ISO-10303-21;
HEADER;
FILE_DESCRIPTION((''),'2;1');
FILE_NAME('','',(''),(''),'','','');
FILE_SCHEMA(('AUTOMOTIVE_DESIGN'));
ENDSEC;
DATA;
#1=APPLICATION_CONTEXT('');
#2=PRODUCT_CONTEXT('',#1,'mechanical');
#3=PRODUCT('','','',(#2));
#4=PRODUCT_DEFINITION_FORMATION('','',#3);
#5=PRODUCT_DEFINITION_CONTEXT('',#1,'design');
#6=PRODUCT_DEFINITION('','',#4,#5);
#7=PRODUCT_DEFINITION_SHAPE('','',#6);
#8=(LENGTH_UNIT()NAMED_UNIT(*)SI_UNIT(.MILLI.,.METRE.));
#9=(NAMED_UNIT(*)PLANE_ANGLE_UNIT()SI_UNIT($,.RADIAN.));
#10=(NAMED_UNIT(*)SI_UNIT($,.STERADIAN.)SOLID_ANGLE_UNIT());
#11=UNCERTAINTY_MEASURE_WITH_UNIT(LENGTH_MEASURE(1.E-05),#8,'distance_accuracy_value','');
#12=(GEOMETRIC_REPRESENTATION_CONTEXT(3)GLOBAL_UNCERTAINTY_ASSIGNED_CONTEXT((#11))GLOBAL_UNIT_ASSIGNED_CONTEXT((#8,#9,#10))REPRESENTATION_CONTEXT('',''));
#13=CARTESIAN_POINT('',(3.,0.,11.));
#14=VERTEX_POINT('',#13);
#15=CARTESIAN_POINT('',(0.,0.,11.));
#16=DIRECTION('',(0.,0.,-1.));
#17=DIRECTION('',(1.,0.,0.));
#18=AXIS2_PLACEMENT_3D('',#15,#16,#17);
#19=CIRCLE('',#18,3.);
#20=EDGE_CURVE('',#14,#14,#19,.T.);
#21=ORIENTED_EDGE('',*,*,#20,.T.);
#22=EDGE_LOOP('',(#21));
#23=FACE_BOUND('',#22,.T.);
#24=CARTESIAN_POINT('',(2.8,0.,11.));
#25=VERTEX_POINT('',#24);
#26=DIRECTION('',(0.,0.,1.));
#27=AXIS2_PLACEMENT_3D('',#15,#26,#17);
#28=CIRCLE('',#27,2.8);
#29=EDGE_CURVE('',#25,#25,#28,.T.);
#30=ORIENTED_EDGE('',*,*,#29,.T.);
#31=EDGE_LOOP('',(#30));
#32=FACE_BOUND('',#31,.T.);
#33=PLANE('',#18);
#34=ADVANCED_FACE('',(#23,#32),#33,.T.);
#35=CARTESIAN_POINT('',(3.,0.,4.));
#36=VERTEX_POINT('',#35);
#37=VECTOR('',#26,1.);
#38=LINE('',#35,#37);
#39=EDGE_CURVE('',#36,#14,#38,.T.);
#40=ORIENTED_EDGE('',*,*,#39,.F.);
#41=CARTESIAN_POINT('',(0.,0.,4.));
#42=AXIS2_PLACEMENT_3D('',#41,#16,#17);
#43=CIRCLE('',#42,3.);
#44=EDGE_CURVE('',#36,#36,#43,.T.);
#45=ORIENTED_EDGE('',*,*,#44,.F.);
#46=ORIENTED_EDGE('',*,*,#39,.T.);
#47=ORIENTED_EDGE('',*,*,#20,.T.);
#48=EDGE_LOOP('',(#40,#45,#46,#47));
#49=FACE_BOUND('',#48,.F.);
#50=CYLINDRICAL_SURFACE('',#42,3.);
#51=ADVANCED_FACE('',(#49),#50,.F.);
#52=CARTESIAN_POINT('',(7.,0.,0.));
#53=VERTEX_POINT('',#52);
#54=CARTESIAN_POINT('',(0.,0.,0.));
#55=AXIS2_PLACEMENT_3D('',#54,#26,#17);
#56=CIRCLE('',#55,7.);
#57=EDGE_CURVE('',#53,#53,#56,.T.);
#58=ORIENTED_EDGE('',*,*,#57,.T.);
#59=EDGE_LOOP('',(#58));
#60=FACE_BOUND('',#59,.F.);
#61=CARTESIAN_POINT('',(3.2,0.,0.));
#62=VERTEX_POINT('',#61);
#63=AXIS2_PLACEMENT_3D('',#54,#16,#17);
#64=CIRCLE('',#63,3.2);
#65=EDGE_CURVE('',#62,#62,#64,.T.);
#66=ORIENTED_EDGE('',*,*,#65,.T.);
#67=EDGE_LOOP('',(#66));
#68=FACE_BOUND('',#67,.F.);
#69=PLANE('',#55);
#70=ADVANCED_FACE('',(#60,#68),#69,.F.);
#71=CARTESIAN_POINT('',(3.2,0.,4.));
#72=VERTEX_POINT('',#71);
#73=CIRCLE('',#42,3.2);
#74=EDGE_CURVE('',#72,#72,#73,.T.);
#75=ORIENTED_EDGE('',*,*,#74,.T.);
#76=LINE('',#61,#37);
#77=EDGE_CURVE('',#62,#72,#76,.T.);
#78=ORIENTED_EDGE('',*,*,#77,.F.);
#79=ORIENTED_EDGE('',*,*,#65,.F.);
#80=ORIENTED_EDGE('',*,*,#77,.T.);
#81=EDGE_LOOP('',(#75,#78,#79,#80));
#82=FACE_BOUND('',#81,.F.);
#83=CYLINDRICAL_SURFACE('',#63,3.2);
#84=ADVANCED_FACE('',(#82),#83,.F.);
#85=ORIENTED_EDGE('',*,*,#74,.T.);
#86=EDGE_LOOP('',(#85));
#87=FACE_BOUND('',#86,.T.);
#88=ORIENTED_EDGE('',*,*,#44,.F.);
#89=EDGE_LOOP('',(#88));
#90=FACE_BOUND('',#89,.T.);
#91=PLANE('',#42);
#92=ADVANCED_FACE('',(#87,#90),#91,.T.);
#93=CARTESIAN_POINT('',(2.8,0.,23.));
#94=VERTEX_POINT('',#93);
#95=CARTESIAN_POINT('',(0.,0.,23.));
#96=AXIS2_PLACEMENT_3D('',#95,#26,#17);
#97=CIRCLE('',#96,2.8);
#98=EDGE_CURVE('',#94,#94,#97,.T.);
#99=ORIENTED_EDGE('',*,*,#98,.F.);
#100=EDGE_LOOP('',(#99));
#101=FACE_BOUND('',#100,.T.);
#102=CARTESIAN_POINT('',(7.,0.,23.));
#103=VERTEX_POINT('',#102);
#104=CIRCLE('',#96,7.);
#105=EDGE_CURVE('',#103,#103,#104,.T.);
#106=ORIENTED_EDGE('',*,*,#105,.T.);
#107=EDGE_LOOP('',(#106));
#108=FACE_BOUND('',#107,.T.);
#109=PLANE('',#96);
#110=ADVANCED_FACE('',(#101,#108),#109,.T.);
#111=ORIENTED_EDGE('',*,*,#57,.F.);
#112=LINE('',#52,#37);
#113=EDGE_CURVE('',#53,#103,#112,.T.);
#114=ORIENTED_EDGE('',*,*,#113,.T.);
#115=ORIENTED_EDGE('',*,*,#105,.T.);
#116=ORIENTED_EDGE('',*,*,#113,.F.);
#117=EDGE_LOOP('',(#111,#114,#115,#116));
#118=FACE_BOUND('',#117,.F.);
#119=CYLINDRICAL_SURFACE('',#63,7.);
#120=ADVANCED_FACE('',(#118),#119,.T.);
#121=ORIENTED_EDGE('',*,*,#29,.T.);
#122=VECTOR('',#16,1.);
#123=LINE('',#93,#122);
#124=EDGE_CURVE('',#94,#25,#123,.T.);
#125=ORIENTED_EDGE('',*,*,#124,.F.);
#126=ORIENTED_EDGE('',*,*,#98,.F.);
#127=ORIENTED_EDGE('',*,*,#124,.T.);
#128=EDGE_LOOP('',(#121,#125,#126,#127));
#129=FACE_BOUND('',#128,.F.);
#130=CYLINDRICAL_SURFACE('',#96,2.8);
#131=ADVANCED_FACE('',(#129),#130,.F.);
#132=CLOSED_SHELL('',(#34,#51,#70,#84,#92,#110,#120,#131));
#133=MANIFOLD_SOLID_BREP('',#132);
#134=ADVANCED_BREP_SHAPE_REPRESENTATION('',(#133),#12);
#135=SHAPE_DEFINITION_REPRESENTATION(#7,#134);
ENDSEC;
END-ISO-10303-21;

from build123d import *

# Parameters (mm, degrees)
F0_R     = 7
F1_DEPTH = 23
F2_R     = 2.8
F3_DEPTH = 23.001
F4_R     = 3.2
F5_DEPTH = 4
F6_R     = 3
F7_DEPTH = 7


with BuildPart() as f1:
    # F0 (on Top) → F1 (new body)
    with BuildSketch(Plane.XY):
        Circle(F0_R)
    extrude(amount=F1_DEPTH)

    # F2 (on face) → F3 (cut, through all)
    with BuildSketch(Plane.XY.offset(23)):
        Circle(F2_R)
    extrude(amount=-F3_DEPTH, mode=Mode.SUBTRACT)

    # F4 (on face) → F5 (cut)
    with BuildSketch(Plane(origin=(0, 0, 0), x_dir=(1, 0, 0), z_dir=(0, 0, -1))):
        Circle(F4_R)
    extrude(amount=-F5_DEPTH, mode=Mode.SUBTRACT)

    # F6 (on face) → F7 (cut)
    with BuildSketch(Plane(origin=(0, 0, 4), x_dir=(1, 0, 0), z_dir=(0, 0, -1))):
        Circle(F6_R)
    extrude(amount=-F7_DEPTH, mode=Mode.SUBTRACT)


solid = f1.part
